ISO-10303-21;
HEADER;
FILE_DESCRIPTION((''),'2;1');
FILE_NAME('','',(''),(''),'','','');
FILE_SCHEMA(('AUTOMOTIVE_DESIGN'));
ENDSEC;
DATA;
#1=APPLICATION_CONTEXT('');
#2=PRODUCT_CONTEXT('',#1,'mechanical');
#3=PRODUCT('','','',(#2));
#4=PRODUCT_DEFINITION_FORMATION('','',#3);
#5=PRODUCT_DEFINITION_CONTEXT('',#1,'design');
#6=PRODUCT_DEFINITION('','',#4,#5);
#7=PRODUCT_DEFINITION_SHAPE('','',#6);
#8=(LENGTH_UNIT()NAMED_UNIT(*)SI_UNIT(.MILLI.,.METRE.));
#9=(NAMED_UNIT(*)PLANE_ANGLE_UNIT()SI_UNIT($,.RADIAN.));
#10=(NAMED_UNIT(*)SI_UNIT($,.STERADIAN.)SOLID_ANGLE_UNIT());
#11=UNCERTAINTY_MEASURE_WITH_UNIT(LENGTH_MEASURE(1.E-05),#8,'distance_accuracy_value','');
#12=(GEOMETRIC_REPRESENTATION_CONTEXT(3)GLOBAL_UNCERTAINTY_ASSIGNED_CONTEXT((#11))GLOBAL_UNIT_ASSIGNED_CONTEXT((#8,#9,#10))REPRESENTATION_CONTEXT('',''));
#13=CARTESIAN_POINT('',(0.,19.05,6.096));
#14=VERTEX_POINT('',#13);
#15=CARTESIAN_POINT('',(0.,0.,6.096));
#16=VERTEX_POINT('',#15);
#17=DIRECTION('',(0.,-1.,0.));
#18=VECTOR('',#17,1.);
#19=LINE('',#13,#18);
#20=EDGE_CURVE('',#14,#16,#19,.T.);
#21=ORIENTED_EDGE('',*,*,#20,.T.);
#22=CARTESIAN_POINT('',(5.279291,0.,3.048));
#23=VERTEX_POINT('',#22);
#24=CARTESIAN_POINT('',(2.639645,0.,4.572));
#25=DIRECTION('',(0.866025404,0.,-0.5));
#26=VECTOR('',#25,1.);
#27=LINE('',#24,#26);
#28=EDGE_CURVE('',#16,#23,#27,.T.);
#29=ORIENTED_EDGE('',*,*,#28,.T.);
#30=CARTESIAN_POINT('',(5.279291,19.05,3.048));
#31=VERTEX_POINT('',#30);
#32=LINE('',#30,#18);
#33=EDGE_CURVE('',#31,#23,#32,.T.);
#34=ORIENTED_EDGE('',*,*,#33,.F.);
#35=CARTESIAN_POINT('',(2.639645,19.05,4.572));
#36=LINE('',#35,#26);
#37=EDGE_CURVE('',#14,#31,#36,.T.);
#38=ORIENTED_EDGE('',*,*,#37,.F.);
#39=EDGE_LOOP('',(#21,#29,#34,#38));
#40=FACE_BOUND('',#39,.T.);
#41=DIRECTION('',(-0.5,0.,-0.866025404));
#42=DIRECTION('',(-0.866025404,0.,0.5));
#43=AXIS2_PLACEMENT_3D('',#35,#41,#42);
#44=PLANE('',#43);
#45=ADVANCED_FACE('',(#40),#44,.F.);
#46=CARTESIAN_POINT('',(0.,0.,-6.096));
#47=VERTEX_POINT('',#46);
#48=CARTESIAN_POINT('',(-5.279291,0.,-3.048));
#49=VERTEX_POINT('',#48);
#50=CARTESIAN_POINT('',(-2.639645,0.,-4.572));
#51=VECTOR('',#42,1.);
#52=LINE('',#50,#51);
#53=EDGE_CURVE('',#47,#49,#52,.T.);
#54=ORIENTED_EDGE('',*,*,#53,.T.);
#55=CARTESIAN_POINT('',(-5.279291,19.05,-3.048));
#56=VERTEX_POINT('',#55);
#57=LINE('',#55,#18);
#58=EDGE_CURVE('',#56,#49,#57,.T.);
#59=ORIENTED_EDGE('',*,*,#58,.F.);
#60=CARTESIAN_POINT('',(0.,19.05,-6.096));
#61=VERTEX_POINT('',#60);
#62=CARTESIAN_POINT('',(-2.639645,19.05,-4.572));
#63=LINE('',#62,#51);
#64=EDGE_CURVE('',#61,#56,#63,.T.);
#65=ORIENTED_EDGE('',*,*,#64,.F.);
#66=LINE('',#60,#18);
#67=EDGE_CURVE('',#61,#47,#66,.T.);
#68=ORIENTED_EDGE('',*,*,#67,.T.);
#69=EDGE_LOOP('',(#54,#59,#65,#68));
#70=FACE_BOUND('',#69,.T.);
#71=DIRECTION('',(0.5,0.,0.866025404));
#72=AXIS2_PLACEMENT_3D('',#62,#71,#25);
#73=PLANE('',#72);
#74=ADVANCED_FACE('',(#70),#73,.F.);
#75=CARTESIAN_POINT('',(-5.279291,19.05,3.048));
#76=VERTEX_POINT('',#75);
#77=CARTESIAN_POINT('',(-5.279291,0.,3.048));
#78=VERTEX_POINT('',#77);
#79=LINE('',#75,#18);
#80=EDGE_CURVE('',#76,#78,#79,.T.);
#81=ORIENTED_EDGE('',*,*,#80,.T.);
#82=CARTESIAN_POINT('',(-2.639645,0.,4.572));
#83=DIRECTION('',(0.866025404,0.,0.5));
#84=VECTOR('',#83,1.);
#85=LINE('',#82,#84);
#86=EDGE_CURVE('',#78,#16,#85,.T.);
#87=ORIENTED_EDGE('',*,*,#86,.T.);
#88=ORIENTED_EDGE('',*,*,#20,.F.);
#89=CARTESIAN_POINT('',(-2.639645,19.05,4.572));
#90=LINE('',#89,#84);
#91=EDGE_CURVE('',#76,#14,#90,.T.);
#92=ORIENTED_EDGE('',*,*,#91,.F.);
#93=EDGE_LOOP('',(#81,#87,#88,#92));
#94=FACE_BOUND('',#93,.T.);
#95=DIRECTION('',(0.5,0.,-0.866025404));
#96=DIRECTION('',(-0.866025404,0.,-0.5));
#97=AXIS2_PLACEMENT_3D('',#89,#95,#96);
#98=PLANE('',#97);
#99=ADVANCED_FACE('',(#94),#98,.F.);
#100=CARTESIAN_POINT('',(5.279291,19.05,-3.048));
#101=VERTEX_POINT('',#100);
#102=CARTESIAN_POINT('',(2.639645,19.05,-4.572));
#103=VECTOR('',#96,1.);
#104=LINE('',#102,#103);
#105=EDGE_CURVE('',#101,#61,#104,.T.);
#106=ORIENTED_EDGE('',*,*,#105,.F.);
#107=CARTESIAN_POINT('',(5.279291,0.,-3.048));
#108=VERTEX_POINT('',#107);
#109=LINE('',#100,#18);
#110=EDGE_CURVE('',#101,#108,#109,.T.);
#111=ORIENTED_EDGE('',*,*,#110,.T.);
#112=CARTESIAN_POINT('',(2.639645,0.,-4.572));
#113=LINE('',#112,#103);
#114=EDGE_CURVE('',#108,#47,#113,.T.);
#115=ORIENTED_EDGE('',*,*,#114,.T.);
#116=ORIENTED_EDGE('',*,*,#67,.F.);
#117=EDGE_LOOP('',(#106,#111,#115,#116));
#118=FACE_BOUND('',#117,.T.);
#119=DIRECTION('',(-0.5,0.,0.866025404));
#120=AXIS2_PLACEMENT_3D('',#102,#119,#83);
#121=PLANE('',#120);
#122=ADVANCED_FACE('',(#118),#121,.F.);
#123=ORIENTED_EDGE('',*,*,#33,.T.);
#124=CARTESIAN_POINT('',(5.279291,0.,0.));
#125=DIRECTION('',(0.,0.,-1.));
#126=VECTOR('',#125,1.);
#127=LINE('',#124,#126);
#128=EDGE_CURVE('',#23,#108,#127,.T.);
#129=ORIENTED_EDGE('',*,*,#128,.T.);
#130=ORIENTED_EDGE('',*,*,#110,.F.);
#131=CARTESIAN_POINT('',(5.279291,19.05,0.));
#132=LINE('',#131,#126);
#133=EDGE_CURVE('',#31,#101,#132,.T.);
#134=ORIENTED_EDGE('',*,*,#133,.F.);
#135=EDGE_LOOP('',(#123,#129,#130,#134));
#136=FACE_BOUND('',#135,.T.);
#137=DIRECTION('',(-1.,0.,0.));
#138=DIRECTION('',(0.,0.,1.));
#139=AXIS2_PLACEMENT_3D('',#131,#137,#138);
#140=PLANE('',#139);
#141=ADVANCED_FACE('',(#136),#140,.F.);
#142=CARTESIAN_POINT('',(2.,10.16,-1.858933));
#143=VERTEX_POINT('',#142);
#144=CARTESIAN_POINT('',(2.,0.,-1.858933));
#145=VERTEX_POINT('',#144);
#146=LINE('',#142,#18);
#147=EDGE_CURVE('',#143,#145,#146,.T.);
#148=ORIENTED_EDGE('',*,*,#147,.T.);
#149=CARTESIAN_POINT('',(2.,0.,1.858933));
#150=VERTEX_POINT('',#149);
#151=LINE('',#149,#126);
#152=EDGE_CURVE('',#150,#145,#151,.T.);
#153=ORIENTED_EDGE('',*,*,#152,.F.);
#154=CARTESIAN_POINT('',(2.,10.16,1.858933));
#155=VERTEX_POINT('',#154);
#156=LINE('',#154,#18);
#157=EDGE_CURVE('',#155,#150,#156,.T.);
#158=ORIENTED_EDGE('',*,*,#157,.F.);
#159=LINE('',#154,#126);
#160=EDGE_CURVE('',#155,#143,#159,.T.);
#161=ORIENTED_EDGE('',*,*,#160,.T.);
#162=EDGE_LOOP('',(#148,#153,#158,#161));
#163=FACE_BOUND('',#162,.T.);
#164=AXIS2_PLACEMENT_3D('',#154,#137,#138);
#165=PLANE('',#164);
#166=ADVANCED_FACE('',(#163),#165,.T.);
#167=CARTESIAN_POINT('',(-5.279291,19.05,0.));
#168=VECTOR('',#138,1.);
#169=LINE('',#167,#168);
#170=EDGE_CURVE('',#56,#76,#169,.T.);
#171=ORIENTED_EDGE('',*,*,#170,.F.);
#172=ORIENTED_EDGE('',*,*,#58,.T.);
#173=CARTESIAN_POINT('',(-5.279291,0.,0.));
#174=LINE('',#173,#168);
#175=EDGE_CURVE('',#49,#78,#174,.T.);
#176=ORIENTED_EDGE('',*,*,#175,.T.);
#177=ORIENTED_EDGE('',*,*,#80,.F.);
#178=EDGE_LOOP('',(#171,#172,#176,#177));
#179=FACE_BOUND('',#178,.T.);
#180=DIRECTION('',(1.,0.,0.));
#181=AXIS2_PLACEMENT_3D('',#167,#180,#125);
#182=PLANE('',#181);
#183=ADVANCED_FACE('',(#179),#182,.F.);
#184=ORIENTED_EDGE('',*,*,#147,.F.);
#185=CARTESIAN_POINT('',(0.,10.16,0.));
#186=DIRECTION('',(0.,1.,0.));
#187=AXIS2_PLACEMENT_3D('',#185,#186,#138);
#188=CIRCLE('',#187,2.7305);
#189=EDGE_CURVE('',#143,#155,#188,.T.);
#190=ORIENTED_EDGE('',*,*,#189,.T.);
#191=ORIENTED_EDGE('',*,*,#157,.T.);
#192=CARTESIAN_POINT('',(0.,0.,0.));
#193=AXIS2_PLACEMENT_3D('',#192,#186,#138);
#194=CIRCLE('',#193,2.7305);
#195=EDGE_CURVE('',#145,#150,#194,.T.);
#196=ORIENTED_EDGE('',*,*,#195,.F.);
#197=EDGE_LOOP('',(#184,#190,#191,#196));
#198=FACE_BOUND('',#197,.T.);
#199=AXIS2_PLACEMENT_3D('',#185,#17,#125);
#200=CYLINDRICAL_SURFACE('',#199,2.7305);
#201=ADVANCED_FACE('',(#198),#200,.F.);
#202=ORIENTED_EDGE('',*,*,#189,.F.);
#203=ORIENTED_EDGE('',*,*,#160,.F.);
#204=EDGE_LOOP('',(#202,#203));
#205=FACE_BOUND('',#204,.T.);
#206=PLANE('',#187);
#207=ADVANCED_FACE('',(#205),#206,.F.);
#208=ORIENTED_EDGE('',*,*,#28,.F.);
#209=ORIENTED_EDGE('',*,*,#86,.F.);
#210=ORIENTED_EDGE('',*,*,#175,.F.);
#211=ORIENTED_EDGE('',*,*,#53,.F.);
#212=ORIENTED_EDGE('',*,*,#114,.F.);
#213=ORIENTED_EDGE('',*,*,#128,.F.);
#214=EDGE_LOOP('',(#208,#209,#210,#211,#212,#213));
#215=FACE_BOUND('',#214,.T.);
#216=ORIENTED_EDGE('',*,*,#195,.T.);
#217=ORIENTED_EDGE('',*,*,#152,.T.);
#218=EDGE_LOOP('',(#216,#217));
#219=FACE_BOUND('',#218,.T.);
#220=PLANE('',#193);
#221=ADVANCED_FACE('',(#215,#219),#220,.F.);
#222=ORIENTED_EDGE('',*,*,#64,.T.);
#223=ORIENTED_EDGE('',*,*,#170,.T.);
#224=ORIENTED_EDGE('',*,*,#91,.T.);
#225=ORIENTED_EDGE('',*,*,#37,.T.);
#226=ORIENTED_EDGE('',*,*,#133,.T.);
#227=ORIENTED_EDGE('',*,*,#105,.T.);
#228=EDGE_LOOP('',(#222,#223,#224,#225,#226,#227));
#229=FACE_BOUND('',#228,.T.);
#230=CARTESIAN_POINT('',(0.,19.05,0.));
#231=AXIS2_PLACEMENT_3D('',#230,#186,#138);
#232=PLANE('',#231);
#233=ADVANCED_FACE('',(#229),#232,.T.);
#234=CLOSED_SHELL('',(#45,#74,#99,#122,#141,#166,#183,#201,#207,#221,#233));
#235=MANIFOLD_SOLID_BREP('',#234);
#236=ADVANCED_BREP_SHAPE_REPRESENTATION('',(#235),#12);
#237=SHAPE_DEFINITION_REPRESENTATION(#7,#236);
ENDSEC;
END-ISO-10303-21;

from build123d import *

# Parameters (mm, degrees)
BOSS_EXTRUDE1_DEPTH = 19.05
CUT_EXTRUDE1_DEPTH  = 10.16


with BuildPart() as part:
    # Sketch1 → Boss-Extrude1 (new body)
    # profile 1 of 2: a face of its own
    with BuildSketch(Plane(origin=(0, 0, 0), x_dir=(1, 0, 0), z_dir=(0, 1, 0))):
        Polygon((0, 6.096), (-5.279290861, 3.048), (-5.279290861, -3.048), (0, -6.096), (5.279290861, -3.048), (5.279290861, 3.048), align=None)
        with BuildLine():
            ThreePointArc((2, 1.858932557), (-2.7305, 0), (2, -1.858932557))
            Line((2, -1.858932557), (2, 1.858932557))
        make_face(mode=Mode.SUBTRACT)
    # profile 2 of 2: a face of its own
    with BuildSketch(Plane(origin=(0, 0, 0), x_dir=(1, 0, 0), z_dir=(0, 1, 0))):
        with BuildLine():
            Line((2, -1.858932557), (2, 1.858932557))
            ThreePointArc((2, 1.858932557), (-2.7305, 0), (2, -1.858932557))
        make_face()
    extrude(amount=BOSS_EXTRUDE1_DEPTH)

    # Sketch1<3> → Cut-Extrude1 (cut)
    with BuildSketch(Plane(origin=(0, 0, 0), x_dir=(1, 0, 0), z_dir=(0, 1, 0))):
        with BuildLine():
            Line((2, -1.858932557), (2, 1.858932557))
            ThreePointArc((2, 1.858932557), (-2.7305, 0), (2, -1.858932557))
        make_face()
    extrude(amount=CUT_EXTRUDE1_DEPTH, mode=Mode.SUBTRACT)


solid = part.part
